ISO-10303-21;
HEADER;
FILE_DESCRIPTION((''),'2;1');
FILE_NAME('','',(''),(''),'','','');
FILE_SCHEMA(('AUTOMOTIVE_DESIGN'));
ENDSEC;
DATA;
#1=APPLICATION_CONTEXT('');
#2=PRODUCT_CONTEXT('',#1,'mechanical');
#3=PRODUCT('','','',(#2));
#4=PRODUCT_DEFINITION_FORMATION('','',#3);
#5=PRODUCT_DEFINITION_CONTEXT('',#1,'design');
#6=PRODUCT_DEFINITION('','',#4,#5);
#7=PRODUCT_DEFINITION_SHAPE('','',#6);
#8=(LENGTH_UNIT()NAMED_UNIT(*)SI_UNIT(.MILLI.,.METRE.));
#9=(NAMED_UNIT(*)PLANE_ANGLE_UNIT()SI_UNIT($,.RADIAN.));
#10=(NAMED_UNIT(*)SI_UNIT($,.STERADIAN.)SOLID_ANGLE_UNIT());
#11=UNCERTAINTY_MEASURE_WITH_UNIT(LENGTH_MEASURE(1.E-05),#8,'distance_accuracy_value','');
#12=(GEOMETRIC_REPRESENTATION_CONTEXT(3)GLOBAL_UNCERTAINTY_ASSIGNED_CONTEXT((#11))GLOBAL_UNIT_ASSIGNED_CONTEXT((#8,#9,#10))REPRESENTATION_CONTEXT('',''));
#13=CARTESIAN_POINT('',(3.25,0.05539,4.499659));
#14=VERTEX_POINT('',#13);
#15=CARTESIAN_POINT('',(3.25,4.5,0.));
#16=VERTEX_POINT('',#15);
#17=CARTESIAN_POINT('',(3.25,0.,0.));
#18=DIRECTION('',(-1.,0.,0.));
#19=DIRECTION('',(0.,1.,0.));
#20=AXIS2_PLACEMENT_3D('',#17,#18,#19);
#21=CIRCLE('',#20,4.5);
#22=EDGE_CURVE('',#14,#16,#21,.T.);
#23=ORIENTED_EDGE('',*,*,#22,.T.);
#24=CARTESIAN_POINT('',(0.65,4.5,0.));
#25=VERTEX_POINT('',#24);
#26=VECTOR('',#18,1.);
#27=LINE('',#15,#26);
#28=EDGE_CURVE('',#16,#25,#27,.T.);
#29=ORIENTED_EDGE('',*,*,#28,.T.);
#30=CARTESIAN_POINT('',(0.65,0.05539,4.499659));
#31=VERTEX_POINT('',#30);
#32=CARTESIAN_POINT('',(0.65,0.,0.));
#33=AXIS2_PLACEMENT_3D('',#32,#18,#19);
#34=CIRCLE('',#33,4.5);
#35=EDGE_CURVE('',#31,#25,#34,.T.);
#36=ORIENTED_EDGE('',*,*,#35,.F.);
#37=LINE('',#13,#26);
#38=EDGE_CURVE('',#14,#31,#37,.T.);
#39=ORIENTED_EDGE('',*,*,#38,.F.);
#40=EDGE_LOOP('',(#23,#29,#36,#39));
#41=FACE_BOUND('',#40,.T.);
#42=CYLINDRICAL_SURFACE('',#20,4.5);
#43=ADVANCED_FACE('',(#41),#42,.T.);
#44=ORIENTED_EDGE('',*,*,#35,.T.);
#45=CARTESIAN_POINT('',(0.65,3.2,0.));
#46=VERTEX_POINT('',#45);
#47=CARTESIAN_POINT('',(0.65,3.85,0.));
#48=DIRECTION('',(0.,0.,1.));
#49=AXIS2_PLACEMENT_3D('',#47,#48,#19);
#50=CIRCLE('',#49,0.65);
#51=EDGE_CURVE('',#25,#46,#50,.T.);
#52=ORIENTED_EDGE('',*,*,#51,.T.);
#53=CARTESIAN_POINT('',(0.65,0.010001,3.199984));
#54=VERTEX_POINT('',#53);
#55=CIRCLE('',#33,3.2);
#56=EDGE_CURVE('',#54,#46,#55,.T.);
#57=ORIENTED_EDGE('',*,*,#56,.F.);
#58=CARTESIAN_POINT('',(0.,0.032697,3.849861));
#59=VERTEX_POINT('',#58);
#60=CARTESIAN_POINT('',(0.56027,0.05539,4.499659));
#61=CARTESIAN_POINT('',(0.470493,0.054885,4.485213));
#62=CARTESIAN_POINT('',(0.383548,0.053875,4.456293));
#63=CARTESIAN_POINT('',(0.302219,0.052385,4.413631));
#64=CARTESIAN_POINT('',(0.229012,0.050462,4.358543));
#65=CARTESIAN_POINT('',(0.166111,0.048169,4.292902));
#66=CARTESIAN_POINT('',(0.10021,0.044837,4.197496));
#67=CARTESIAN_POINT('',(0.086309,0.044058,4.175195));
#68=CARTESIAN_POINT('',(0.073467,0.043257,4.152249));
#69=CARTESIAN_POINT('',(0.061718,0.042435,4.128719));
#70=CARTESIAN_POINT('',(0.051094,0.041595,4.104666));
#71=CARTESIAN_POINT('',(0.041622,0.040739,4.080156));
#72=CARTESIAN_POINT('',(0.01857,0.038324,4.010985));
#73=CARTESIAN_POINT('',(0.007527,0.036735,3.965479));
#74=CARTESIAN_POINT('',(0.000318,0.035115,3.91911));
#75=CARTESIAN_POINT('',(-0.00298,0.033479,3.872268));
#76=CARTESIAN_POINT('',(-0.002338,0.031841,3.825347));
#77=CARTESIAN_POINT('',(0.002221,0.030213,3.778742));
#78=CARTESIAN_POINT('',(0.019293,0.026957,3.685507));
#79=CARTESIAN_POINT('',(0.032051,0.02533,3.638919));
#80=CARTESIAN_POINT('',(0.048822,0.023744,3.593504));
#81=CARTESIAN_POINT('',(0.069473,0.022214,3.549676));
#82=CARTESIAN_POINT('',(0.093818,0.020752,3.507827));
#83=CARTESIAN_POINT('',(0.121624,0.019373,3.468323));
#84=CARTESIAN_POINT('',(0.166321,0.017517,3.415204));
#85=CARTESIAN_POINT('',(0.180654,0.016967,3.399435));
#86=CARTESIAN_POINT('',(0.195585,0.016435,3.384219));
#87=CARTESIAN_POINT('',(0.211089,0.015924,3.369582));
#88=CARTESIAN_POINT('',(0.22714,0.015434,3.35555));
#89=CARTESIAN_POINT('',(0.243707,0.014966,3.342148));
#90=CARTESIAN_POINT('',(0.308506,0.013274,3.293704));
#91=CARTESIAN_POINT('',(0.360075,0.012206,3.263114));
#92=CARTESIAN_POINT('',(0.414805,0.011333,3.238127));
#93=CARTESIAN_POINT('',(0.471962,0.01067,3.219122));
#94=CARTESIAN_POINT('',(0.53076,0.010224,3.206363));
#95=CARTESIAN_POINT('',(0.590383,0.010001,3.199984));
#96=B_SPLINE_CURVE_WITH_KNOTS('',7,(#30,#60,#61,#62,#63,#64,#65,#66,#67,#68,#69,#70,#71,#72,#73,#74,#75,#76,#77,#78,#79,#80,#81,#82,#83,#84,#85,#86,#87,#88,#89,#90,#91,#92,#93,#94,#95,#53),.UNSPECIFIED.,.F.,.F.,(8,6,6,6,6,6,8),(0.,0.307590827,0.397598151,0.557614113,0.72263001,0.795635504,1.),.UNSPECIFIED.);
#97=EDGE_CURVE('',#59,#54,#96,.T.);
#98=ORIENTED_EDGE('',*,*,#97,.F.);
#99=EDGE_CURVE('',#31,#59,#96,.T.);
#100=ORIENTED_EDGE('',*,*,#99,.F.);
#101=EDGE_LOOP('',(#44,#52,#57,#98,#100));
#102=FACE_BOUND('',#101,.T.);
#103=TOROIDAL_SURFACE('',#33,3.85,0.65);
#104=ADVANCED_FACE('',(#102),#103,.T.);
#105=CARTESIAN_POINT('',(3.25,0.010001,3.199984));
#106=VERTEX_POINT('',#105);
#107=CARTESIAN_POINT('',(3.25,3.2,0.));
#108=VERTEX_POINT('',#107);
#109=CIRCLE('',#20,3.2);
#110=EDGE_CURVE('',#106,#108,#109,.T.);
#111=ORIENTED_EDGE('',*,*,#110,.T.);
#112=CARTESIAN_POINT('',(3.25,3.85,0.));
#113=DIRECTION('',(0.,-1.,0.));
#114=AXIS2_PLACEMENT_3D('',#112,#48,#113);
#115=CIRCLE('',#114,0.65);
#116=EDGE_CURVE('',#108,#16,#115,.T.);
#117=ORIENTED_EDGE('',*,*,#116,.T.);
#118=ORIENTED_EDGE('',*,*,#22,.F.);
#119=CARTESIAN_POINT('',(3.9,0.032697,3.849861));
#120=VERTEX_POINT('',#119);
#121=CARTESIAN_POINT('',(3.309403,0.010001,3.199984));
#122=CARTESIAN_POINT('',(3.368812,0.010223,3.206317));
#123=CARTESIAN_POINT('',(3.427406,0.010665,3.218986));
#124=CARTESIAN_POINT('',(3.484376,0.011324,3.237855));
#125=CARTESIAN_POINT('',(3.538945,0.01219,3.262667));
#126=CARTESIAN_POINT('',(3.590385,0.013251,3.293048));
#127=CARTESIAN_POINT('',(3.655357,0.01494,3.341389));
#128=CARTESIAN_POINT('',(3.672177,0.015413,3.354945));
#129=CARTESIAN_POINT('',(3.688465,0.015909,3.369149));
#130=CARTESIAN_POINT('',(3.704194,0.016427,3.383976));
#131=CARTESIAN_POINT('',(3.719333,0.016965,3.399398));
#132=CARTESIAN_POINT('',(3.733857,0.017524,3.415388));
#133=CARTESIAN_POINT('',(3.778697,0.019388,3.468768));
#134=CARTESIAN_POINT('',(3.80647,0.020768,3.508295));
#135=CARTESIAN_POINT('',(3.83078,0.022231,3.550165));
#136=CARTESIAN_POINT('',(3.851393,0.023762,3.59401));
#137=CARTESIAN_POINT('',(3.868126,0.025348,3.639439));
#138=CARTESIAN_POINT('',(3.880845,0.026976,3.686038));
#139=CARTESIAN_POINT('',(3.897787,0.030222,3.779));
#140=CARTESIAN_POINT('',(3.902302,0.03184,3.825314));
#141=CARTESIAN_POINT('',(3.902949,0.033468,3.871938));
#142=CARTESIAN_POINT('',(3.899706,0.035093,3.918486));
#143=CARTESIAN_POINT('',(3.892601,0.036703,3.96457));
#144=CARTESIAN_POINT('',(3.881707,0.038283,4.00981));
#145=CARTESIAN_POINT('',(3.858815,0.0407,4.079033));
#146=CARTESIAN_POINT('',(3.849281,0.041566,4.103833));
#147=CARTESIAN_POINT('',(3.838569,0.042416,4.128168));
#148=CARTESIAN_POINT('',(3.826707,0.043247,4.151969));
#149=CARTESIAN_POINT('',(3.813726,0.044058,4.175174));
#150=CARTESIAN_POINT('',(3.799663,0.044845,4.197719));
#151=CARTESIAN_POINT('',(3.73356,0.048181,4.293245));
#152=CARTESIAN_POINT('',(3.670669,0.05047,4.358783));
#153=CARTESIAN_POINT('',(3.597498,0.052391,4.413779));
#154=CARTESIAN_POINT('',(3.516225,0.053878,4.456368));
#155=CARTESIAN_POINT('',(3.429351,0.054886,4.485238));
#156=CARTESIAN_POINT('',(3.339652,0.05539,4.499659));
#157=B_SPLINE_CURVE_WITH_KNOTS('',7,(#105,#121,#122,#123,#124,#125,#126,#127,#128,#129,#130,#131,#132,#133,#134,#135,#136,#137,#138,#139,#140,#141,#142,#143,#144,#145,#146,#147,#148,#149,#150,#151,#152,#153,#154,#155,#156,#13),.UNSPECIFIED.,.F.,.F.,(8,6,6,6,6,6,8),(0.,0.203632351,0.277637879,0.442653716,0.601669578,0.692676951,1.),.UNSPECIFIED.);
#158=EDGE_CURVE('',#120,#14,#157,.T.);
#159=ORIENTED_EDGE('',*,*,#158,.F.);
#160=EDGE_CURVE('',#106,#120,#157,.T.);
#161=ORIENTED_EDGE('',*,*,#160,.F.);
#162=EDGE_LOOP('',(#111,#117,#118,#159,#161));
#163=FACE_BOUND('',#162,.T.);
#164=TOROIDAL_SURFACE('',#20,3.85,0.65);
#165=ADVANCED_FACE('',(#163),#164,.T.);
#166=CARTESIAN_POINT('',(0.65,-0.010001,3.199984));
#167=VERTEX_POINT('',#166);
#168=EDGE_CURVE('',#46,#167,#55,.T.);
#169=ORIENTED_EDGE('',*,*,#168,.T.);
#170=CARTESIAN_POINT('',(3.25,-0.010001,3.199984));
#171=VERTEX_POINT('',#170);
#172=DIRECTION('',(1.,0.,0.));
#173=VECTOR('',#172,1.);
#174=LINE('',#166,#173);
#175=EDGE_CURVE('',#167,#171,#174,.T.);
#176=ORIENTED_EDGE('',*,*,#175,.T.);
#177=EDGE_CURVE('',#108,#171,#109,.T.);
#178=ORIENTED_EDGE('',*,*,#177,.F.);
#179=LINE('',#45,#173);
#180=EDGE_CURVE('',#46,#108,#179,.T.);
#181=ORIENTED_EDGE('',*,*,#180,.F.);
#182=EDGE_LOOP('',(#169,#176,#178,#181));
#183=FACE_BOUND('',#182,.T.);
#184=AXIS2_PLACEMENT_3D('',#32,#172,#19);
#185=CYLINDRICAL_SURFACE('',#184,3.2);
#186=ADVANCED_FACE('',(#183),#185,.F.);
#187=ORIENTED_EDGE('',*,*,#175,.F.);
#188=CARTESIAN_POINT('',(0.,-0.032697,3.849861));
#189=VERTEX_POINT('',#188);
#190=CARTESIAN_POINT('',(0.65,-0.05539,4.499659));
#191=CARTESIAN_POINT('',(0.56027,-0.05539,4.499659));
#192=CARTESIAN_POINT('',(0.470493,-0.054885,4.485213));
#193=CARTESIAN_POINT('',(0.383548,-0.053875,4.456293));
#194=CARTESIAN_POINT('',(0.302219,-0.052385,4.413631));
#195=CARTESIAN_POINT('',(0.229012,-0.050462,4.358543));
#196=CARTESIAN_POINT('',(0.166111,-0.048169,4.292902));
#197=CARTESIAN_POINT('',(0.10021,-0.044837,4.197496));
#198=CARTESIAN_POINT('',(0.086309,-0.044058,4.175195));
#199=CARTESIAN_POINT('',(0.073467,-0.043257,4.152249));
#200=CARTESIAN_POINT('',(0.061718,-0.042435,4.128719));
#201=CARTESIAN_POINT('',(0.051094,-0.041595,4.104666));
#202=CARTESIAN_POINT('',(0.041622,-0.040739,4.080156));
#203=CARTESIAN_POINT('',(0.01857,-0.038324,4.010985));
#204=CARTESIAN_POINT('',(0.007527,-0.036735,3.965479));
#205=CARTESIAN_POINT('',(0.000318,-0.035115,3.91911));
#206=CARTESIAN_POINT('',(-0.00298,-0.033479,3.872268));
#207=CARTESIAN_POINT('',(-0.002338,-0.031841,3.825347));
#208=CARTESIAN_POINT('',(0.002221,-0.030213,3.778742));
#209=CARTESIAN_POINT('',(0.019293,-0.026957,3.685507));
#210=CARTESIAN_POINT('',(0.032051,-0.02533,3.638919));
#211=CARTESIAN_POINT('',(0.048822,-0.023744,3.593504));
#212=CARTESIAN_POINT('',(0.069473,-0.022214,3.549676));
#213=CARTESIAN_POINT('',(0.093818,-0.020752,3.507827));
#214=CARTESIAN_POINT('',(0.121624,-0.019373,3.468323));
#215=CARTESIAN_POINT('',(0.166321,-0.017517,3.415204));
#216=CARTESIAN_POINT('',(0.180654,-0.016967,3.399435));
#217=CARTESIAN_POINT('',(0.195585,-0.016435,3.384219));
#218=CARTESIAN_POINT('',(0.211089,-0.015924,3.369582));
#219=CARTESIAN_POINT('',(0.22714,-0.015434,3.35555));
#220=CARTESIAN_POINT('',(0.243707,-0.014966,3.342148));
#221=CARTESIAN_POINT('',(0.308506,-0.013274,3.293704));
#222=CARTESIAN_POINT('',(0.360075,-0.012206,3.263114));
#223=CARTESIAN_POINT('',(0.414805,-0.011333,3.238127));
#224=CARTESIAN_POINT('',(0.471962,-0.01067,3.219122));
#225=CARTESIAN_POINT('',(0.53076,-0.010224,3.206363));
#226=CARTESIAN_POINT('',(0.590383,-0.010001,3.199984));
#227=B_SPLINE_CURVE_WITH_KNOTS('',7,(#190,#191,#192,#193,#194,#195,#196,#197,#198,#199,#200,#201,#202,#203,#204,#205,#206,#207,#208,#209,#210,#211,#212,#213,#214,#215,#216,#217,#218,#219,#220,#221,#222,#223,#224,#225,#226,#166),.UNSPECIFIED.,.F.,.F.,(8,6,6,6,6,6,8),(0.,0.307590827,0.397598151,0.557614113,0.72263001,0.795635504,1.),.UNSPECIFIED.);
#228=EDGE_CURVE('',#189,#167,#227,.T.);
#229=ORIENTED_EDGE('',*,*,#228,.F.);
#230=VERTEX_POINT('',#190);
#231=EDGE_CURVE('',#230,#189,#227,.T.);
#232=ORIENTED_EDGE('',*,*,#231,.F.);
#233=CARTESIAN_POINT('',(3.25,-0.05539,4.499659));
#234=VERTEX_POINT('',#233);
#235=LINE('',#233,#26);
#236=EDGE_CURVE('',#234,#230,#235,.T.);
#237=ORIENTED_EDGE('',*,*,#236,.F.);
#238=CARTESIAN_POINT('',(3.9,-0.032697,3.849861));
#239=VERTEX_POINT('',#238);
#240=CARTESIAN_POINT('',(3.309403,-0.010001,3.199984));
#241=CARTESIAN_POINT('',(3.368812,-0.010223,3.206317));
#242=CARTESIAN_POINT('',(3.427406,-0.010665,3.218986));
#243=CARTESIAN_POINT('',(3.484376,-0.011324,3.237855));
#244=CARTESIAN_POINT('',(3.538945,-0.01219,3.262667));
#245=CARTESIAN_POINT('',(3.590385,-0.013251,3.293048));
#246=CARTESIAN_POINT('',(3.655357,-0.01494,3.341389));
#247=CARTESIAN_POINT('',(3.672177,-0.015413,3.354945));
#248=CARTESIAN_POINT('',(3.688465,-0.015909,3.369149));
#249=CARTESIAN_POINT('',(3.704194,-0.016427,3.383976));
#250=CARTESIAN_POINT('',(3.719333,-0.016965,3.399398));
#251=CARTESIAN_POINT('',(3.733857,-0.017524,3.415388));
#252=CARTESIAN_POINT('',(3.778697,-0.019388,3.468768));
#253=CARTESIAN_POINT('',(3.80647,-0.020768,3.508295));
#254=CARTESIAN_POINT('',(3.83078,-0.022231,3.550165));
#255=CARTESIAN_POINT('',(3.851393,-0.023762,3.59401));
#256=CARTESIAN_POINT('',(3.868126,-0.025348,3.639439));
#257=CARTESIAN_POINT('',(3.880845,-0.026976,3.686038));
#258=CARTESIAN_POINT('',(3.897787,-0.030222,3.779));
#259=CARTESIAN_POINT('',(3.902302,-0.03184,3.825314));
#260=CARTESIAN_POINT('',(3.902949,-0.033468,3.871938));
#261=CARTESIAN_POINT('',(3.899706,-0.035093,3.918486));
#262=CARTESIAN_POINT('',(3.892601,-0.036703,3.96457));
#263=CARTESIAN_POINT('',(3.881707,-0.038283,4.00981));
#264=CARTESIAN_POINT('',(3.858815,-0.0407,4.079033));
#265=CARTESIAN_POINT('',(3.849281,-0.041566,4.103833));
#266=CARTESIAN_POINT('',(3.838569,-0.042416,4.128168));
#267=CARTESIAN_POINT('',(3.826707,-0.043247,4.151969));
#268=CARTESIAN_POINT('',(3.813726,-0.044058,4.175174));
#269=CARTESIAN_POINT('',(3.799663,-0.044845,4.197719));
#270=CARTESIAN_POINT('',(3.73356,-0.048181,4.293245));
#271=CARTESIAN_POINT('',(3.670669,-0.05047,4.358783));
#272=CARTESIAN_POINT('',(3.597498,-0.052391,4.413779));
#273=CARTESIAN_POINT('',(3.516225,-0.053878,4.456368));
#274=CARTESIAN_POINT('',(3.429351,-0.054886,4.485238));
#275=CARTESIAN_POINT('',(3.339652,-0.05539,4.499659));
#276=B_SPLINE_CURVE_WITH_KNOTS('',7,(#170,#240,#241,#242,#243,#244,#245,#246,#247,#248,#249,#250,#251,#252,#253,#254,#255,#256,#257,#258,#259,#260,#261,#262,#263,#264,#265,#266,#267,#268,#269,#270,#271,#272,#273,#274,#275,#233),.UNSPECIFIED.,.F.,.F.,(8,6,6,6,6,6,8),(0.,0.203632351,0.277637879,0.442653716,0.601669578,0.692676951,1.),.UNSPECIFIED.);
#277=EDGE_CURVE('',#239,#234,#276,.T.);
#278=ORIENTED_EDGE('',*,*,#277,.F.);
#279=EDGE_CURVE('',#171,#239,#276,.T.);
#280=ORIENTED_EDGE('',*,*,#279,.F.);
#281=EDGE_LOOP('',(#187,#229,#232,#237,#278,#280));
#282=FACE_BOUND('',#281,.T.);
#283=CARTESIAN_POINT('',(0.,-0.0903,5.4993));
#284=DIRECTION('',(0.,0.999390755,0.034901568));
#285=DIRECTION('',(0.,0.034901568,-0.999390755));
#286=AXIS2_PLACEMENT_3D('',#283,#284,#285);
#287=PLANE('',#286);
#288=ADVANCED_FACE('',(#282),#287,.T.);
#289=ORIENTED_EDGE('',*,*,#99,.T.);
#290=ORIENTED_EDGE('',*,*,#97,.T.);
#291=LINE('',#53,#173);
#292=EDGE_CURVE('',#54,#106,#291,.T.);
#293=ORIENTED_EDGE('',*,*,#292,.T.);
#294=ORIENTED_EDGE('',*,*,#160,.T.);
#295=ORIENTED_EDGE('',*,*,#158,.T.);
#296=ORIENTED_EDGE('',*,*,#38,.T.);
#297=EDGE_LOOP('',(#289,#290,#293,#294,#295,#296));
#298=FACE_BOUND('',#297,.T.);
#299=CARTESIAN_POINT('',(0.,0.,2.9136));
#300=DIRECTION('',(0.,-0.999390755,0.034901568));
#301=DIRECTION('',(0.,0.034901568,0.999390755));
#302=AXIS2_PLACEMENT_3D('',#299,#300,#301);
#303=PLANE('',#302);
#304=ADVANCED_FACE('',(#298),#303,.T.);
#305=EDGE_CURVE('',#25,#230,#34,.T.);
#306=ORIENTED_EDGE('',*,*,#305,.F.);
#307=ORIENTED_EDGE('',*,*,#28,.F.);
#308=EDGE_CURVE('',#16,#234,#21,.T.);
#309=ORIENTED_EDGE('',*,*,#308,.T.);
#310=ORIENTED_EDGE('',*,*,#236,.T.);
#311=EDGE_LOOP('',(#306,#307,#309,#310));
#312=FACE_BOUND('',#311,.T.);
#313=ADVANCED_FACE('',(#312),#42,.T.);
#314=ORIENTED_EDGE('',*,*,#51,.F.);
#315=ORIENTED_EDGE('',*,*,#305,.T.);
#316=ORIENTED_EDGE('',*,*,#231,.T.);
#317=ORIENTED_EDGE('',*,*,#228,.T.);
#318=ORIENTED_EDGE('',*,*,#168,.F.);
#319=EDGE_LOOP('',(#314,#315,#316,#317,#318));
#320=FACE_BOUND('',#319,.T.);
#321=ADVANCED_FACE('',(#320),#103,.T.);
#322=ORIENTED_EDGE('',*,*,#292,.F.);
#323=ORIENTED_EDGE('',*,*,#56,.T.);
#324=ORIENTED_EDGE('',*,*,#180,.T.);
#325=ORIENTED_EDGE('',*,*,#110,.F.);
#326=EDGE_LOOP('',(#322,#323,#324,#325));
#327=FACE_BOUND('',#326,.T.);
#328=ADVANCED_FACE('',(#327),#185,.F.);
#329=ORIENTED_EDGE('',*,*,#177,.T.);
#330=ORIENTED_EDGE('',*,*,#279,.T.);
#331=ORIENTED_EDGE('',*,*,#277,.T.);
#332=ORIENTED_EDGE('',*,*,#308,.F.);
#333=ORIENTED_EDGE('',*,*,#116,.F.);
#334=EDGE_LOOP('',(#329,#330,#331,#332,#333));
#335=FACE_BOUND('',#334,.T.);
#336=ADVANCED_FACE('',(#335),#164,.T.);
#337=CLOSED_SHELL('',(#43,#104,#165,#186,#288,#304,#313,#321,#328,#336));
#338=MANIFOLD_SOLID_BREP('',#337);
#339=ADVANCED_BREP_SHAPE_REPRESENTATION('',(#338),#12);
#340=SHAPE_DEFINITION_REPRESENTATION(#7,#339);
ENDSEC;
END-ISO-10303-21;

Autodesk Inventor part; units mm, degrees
sketch "Sketch_3" plane through (0, 0, 0) normal (0, 0, 1) x (1, 0, 0)
  line L0 (3.9, 0) -> (0, 0)
  arc A0 (0.65, 4.5) -> (0.65, 3.2) centre (0.65, 3.85) ccw
  line L1 (0.65, 3.2) -> (3.25, 3.2)
  arc A1 (3.25, 3.2) -> (3.25, 4.5) centre (3.25, 3.85) ccw
  line L2 (3.25, 4.5) -> (0.65, 4.5)
revolve "Revolution1" add sketch "Sketch_3" angle 360 about axis through (3.9, 0, 0) along (-1, 0, 0)
sketch "Sketch_4" plane through (0, 0, 0) normal (1, 0, 0) x (0, 1, 0)
  arc A0 (0.0903, 5.4993) -> (-0.0903, 5.4993) centre (0, 0) ccw
  line L0 (-0.0903, 5.4993) -> (0, 2.9136)
  line L1 (0, 2.9136) -> (0.0903, 5.4993)
extrude "Extrusion1" cut sketch "Sketch_4" along normal blind 3.9
ref_plane "ANBAU_XY" through (0, 0, 0) normal (1, 0, 0) x (0, 0, -1)
ref_plane "ANBAU_YZ" through (0, 0, 0) normal (0, 0, -1) x (0, 1, 0)
ref_plane "ANBAU_ZX" through (0, 0, 0) normal (0, 1, 0) x (1, 0, 0)
ref_plane "insert_XY" through (0, 0, 0) normal (1, 0, 0) x (0, 0, -1)
ref_plane "insert_YZ" through (0, 0, 0) normal (0, 0, -1) x (0, 1, 0)
ref_plane "insert_ZX" through (0, 0, 0) normal (0, 1, 0) x (1, 0, 0)
ref_plane "schraube_punkt_XY" through (3.9, 0, 0) normal (1, 0, 0) x (0, 0, -1)
ref_plane "schraube_punkt_YZ" through (3.9, 0, 0) normal (0, 0, -1) x (0, 1, 0)
ref_plane "schraube_punkt_ZX" through (3.9, 0, 0) normal (0, 1, 0) x (1, 0, 0)
properties part number "8137184 ZBH-9-B"
